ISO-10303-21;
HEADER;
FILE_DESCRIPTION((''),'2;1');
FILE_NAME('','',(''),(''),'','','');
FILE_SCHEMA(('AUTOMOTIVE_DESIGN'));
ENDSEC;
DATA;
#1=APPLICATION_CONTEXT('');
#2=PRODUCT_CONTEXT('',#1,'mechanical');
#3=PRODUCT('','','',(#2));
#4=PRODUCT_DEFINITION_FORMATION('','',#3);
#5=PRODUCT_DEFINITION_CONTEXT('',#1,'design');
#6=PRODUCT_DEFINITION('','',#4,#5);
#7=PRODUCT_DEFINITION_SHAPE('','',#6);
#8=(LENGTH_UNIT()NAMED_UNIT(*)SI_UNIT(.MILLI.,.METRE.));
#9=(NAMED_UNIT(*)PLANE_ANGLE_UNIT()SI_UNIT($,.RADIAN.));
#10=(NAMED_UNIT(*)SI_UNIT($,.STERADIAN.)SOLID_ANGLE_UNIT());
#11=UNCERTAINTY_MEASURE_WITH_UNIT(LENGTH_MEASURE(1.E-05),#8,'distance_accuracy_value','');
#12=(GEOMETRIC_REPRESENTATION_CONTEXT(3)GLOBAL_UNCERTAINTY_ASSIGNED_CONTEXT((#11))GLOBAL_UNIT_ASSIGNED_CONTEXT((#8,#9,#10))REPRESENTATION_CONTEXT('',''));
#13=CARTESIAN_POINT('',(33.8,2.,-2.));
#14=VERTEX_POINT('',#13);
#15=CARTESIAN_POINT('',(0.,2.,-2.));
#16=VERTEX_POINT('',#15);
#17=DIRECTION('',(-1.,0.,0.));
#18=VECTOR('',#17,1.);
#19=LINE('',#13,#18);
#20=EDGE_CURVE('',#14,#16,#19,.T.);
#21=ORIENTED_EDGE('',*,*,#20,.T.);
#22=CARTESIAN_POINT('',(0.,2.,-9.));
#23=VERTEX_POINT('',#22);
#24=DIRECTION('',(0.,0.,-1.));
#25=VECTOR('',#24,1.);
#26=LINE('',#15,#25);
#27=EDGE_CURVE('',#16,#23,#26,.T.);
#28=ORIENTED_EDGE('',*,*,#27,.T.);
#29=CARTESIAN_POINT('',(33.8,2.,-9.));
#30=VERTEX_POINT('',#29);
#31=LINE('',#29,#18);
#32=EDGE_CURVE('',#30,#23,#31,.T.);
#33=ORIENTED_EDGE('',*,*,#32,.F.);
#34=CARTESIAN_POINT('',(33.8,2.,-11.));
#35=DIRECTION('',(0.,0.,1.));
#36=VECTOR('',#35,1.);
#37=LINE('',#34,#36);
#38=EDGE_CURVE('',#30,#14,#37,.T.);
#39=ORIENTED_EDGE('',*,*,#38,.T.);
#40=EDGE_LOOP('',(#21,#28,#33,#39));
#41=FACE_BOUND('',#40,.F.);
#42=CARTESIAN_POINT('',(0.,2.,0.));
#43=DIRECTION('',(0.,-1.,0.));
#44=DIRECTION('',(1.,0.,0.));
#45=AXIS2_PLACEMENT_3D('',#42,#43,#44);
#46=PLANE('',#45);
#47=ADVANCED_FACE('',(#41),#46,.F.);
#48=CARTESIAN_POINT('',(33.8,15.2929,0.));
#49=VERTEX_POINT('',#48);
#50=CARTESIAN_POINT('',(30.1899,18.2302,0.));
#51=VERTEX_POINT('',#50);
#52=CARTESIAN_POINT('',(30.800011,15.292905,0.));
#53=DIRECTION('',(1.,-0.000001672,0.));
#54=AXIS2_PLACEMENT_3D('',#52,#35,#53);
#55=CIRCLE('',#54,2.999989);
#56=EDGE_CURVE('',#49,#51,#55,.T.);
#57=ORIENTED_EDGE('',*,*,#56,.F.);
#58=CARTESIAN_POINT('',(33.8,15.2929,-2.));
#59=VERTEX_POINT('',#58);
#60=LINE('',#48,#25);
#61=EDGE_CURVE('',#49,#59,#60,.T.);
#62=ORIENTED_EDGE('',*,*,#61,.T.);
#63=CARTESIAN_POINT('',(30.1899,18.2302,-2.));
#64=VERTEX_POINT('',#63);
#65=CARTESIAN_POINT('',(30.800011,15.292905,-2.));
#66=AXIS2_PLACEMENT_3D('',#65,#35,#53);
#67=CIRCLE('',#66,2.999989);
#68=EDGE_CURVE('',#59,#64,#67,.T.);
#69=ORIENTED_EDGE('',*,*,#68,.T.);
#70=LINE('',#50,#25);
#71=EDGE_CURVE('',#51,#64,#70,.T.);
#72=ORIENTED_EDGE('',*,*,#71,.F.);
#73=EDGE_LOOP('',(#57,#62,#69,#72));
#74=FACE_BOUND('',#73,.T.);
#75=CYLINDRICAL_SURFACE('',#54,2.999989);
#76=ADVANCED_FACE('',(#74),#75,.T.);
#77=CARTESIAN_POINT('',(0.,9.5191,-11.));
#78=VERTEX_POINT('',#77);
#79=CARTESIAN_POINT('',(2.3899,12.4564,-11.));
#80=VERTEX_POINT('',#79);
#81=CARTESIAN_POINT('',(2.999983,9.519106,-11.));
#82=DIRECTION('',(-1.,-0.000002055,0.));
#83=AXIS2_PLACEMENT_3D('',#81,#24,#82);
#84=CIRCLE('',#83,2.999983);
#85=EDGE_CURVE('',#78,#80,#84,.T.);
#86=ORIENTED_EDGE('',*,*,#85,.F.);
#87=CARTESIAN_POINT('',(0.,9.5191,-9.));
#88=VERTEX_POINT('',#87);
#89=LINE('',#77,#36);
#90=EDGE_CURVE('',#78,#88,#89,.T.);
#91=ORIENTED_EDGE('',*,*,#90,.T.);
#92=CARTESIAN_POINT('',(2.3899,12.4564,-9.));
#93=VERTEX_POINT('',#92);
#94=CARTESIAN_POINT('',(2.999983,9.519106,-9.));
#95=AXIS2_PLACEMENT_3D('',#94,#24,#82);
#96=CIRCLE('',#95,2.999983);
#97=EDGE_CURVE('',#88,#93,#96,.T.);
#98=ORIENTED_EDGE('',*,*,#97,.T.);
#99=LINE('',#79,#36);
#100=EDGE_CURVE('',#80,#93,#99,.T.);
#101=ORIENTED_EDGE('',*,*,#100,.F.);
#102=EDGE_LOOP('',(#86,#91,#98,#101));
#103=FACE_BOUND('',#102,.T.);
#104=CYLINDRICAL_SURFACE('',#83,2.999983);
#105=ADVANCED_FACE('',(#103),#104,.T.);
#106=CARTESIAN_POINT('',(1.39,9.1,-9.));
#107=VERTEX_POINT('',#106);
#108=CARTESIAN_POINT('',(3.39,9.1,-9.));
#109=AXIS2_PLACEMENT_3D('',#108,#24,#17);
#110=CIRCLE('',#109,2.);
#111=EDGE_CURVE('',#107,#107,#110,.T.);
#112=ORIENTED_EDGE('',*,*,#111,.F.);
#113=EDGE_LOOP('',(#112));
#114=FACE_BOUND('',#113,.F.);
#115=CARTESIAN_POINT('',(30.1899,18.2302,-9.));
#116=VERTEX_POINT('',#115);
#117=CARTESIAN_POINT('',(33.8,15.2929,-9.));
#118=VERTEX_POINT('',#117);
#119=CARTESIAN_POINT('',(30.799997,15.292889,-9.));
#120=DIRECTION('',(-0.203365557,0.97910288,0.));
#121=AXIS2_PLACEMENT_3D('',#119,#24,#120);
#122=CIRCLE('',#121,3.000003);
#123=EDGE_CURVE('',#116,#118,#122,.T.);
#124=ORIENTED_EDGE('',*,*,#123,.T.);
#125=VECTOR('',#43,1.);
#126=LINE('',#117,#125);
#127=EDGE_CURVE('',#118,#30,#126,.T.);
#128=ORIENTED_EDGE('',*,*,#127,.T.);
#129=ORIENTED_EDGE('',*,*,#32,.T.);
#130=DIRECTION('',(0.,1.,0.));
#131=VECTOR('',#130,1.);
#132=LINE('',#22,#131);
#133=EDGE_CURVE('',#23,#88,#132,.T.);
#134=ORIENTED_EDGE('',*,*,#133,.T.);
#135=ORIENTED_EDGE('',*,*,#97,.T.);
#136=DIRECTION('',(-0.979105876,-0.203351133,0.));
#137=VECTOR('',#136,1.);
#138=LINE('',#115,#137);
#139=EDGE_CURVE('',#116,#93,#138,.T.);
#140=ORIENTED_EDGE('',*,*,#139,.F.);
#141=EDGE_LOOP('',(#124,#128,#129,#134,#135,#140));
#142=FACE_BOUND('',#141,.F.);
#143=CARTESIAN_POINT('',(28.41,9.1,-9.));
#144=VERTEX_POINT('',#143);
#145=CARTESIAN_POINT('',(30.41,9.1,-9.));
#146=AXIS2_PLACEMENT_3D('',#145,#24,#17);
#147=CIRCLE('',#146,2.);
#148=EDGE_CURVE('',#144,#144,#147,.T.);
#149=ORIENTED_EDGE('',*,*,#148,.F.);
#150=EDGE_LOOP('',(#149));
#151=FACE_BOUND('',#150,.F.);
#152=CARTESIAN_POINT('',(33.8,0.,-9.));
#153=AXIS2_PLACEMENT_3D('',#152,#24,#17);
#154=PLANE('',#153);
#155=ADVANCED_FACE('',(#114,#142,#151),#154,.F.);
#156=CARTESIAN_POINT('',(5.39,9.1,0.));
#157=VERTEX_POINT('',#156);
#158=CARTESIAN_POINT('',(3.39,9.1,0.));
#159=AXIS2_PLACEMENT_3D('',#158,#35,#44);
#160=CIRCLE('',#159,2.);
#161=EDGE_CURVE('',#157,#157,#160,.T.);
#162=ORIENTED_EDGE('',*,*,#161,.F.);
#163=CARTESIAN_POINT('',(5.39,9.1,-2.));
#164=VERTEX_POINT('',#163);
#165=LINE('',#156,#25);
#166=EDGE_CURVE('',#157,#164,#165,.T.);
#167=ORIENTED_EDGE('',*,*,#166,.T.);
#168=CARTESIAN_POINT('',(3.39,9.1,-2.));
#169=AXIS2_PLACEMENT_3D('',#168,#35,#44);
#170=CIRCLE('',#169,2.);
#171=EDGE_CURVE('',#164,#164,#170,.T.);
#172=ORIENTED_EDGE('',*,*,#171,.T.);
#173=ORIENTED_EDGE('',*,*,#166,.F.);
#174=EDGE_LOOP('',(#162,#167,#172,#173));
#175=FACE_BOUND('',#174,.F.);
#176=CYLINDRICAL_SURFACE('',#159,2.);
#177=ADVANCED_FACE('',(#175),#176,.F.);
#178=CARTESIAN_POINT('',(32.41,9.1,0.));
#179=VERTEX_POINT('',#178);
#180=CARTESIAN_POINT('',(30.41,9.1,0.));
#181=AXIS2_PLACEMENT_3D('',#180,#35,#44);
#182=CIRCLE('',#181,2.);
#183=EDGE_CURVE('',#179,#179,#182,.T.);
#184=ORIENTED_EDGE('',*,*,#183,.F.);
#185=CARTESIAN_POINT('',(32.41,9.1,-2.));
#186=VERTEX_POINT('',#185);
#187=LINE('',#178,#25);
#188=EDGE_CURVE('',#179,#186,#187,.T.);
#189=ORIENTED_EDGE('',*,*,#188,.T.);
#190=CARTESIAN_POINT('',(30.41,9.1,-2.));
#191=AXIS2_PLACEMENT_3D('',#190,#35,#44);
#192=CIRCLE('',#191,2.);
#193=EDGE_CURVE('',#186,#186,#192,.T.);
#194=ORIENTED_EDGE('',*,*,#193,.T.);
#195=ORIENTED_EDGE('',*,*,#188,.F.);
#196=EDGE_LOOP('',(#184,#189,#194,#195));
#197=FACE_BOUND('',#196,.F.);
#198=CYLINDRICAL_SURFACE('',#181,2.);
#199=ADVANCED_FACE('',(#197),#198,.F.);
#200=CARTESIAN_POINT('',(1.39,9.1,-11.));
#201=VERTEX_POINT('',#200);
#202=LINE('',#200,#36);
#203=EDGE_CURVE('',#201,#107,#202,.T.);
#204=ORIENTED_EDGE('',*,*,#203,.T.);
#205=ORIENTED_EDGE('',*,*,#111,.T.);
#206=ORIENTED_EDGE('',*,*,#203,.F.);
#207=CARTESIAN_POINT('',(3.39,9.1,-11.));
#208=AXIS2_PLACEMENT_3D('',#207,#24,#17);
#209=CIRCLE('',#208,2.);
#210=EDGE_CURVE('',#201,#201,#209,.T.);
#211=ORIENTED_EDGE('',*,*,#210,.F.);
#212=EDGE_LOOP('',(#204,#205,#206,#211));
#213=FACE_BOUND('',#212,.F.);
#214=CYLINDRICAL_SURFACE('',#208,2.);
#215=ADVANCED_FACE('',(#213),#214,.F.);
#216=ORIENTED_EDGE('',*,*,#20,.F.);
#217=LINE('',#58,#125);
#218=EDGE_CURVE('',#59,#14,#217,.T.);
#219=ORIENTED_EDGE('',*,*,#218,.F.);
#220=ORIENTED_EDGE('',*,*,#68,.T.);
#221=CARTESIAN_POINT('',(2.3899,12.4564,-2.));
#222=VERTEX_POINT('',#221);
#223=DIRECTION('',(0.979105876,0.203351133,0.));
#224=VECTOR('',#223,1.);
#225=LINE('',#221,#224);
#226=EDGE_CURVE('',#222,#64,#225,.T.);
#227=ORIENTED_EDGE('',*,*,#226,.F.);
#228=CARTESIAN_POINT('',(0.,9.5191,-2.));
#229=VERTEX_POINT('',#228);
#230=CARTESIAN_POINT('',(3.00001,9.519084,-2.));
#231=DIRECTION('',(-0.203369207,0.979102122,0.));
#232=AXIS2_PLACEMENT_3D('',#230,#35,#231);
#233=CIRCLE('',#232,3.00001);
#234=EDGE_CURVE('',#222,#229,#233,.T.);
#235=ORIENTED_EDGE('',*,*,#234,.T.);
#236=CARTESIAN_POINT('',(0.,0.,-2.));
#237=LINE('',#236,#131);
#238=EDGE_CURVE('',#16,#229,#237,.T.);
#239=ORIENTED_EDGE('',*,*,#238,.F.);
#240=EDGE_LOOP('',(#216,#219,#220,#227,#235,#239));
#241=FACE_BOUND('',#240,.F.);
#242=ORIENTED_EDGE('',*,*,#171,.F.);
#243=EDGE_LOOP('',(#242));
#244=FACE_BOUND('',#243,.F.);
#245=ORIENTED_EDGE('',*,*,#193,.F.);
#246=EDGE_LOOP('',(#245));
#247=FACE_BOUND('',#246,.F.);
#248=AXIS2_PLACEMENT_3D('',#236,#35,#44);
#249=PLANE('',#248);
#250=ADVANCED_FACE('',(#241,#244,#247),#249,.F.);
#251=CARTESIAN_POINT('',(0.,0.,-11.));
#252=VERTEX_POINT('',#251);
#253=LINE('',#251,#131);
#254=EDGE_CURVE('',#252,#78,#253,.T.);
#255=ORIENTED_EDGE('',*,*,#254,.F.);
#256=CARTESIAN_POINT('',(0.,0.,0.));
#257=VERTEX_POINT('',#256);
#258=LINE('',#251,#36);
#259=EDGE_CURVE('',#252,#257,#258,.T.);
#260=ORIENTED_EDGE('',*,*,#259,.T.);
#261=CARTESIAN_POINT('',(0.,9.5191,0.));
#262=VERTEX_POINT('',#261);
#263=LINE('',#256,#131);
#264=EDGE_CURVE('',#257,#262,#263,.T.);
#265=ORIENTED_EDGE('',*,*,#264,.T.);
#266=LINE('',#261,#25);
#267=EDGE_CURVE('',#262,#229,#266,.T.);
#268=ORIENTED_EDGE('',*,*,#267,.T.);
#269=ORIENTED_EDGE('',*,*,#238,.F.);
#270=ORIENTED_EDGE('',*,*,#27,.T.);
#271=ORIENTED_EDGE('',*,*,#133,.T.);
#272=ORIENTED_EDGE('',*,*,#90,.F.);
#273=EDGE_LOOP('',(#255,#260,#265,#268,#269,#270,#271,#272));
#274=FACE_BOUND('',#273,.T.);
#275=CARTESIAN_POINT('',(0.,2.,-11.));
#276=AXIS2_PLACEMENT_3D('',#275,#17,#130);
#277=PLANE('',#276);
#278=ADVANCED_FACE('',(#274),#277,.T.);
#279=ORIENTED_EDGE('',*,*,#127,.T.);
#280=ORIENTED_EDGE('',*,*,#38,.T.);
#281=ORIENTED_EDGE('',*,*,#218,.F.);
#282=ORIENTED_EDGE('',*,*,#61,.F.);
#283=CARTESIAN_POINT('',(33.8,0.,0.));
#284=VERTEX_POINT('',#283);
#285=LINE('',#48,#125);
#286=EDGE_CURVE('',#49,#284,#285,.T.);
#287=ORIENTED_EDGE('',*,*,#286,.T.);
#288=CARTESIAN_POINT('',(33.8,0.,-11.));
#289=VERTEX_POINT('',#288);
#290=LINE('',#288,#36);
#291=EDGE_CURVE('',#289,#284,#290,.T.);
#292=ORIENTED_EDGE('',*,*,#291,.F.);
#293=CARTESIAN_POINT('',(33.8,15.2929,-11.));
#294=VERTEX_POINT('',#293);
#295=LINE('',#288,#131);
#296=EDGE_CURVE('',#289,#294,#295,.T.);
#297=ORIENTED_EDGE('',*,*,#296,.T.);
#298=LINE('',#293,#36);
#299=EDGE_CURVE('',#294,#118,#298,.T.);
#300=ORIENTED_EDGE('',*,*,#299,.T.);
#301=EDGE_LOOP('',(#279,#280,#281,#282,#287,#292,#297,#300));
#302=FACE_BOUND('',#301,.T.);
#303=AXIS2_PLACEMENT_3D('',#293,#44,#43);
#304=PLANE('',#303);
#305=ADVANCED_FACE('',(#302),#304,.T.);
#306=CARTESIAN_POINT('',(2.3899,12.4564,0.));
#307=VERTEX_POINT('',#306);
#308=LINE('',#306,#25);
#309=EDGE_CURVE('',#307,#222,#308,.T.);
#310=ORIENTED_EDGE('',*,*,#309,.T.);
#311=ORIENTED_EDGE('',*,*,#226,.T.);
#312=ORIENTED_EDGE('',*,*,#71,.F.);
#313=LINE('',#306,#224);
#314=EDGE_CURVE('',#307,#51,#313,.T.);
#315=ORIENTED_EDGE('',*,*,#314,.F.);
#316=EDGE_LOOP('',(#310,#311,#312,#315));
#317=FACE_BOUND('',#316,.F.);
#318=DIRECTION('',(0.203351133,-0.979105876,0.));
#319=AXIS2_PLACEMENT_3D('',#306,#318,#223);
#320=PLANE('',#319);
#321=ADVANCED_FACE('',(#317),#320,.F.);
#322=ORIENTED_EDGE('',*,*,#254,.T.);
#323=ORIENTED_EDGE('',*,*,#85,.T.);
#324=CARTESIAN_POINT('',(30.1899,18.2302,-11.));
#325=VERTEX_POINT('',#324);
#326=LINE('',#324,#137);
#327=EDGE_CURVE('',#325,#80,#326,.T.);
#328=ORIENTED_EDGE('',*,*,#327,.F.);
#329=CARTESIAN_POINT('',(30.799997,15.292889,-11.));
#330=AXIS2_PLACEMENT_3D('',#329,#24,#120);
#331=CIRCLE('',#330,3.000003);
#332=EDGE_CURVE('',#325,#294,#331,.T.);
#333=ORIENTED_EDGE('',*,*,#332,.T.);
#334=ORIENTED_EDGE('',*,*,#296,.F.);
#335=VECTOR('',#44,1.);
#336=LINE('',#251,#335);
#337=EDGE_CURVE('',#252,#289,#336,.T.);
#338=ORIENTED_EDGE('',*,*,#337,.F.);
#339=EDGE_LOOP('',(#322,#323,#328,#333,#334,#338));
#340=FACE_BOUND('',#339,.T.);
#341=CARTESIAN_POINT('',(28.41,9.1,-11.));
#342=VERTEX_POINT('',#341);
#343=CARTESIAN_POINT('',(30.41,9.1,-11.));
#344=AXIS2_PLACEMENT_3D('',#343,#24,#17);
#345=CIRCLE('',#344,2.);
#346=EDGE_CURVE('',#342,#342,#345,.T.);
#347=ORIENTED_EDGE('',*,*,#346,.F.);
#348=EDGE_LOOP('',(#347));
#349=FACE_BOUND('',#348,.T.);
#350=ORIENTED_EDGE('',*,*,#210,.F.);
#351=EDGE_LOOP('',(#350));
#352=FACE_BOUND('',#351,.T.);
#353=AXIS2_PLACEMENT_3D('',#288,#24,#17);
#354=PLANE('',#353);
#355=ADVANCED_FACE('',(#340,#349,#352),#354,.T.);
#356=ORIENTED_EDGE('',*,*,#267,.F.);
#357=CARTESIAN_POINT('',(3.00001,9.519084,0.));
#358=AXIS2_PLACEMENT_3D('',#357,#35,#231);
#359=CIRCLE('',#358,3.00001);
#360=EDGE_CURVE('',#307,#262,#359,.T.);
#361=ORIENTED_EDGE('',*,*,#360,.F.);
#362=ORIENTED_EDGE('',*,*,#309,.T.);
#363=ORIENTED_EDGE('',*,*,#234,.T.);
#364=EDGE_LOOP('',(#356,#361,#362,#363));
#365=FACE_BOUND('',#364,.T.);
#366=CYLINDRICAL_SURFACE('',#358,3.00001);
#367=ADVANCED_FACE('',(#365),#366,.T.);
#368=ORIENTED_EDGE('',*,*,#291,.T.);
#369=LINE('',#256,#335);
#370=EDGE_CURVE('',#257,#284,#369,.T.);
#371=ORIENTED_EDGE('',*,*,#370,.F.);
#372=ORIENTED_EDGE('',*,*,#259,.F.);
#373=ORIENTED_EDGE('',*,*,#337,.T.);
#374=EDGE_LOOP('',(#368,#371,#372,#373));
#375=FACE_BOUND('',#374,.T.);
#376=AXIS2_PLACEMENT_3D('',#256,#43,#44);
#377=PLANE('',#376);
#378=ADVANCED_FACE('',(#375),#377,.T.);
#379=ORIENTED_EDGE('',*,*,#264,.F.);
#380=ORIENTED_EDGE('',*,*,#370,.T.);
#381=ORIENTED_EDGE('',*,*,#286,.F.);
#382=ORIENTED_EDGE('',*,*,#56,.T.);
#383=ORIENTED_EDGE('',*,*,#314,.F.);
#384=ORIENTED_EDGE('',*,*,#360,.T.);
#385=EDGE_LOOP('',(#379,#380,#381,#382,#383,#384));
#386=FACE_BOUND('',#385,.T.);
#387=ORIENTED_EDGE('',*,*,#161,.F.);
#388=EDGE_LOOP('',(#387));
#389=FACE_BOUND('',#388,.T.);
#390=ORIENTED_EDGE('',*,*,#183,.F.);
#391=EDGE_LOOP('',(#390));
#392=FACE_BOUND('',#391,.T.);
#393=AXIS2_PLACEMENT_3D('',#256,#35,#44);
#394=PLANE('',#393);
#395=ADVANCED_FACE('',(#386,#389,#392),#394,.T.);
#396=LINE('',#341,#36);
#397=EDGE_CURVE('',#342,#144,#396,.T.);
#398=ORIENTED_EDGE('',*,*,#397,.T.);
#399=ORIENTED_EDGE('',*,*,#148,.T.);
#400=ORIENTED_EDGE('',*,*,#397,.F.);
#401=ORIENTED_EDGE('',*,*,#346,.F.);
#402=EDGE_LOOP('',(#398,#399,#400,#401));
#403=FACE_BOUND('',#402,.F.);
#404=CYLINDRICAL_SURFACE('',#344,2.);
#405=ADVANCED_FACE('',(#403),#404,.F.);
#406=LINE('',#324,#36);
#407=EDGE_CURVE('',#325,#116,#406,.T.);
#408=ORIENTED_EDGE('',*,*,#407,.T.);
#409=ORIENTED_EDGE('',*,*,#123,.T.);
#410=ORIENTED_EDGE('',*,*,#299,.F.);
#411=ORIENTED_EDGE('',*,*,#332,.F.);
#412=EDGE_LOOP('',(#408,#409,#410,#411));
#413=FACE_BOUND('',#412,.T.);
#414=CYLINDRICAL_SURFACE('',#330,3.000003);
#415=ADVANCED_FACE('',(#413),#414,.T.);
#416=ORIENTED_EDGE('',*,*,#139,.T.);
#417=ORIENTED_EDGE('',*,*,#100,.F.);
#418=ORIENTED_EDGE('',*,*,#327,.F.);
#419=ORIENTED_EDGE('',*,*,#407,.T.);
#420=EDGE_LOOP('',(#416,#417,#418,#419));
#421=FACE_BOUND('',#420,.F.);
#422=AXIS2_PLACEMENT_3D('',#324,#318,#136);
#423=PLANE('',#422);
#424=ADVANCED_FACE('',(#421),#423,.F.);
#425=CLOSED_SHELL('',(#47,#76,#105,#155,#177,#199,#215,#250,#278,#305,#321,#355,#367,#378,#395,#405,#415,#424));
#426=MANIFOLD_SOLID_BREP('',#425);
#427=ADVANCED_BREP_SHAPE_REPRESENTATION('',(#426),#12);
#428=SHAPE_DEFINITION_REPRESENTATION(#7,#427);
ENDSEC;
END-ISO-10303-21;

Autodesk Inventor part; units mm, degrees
ref_plane "YZ Plane" through (0, 0, 0) normal (1, 0, 0) x (0, 1, 0)
ref_plane "XZ Plane" through (0, 0, 0) normal (0, 1, 0) x (-1, 0, 0)
ref_plane "XY Plane" through (0, 0, 0) normal (0, 0, 1) x (1, 0, 0)
sketch "Esquisse1" plane through (0, 0, 0) normal (0, 0, 1) x (1, 0, 0)
  line L0 (0, 0) -> (33.8, 0)
  line L1 (0, 0) -> (0, 9.5191)
  line L2 (2.3899, 12.4564) -> (30.1899, 18.2302)
  line L3 (33.8, 15.2929) -> (33.8, 0)
  arc A0 (2.3899, 12.4564) -> (0, 9.5191) centre (3, 9.5191) ccw
  arc A1 (33.8, 15.2929) -> (30.1899, 18.2302) centre (30.8, 15.2929) ccw
  point P0 (0, 11.96)
  point P1 (33.8, 18.98)
  dimension "d0" = 33.8
  dimension "d1" = 18.98
  dimension "d2" = 11.96
  dimension "d3" = 3
  dimension "d4" = 3
extrude "Extrusion1" add sketch "Esquisse1" against normal blind 2
sketch "Esquisse2" plane through (0, 0, 0) normal (0, -1, 0) x (1, 0, 0)
  line L0 (33.8, -2) -> (0, -2) projected
  line L1 (33.8, -2) -> (0, -2)
  line L2 (0, -2) -> (0, -11)
  line L3 (0, -11) -> (33.8, -11)
  line L4 (33.8, -11) -> (33.8, -2)
  point P0 (33.8, 0)
  dimension "d8" = 9
extrude "Extrusion2" add sketch "Esquisse2" against normal blind 2
sketch "Esquisse3" plane through (33.8, 0, -11) normal (0, 0, -1) x (-1, 0, 0)
  line L0 (0, 2) -> (33.8, 2) projected
  line L1 (33.8, 2) -> (33.8, 9.5191)
  line L2 (0, 15.2929) -> (0, 2) projected
  line L3 (0, 15.2929) -> (0, 2)
  line L4 (0, 2) -> (33.8, 2)
  line L5 (3.6101, 18.2302) -> (31.4101, 12.4564)
  arc A0 (3.6101, 18.2302) -> (0, 15.2929) centre (3, 15.2929) ccw
  arc A1 (33.8, 9.5191) -> (31.4101, 12.4564) centre (30.8, 9.5191) ccw
  point P0 (33.8, 0)
  point P1 (33.8, 11.96)
  point P2 (0, 18.98)
  dimension "d11" = 9.96
  dimension "d12" = 16.98
  dimension "d13" = 3
extrude "Extrusion3" add sketch "Esquisse3" against normal blind 2
sketch "Esquisse4" plane through (0, 0, 0) normal (0, 0, 1) x (1, 0, 0)
  line L0 (0, 0) -> (3.39, 0) construction
  line L1 (0, 0) -> (33.8, 0) construction
  line L2 (3.39, 9.1) -> (3.39, 0) construction
  circle A0 centre (3.39, 9.1) radius 2
  circle A1 centre (30.41, 9.1) radius 2
  line L3 (33.8, 0) -> (33.8, 15.2929) projected
  dimension "d16" = 3.39
  dimension "d17" = 9.1
  dimension "d19" = 4
  dimension "d20" = 4
  dimension "d21" = 3.39
  dimension "d26" = 9.1
extrude "Extrusion4" cut sketch "Esquisse4" against normal blind 2
sketch "Esquisse5" plane through (33.8, 0, -11) normal (0, 0, -1) x (-1, 0, 0)
  circle A0 centre (3.39, 9.1) radius 2 projected
  circle A1 centre (3.39, 9.1) radius 2
  circle A2 centre (30.41, 9.1) radius 2 projected
  circle A3 centre (30.41, 9.1) radius 2
  point P0 (33.8, 0)
extrude "Extrusion5" cut sketch "Esquisse5" against normal blind 2
properties part number "finger1" material "Plastique ABS"
